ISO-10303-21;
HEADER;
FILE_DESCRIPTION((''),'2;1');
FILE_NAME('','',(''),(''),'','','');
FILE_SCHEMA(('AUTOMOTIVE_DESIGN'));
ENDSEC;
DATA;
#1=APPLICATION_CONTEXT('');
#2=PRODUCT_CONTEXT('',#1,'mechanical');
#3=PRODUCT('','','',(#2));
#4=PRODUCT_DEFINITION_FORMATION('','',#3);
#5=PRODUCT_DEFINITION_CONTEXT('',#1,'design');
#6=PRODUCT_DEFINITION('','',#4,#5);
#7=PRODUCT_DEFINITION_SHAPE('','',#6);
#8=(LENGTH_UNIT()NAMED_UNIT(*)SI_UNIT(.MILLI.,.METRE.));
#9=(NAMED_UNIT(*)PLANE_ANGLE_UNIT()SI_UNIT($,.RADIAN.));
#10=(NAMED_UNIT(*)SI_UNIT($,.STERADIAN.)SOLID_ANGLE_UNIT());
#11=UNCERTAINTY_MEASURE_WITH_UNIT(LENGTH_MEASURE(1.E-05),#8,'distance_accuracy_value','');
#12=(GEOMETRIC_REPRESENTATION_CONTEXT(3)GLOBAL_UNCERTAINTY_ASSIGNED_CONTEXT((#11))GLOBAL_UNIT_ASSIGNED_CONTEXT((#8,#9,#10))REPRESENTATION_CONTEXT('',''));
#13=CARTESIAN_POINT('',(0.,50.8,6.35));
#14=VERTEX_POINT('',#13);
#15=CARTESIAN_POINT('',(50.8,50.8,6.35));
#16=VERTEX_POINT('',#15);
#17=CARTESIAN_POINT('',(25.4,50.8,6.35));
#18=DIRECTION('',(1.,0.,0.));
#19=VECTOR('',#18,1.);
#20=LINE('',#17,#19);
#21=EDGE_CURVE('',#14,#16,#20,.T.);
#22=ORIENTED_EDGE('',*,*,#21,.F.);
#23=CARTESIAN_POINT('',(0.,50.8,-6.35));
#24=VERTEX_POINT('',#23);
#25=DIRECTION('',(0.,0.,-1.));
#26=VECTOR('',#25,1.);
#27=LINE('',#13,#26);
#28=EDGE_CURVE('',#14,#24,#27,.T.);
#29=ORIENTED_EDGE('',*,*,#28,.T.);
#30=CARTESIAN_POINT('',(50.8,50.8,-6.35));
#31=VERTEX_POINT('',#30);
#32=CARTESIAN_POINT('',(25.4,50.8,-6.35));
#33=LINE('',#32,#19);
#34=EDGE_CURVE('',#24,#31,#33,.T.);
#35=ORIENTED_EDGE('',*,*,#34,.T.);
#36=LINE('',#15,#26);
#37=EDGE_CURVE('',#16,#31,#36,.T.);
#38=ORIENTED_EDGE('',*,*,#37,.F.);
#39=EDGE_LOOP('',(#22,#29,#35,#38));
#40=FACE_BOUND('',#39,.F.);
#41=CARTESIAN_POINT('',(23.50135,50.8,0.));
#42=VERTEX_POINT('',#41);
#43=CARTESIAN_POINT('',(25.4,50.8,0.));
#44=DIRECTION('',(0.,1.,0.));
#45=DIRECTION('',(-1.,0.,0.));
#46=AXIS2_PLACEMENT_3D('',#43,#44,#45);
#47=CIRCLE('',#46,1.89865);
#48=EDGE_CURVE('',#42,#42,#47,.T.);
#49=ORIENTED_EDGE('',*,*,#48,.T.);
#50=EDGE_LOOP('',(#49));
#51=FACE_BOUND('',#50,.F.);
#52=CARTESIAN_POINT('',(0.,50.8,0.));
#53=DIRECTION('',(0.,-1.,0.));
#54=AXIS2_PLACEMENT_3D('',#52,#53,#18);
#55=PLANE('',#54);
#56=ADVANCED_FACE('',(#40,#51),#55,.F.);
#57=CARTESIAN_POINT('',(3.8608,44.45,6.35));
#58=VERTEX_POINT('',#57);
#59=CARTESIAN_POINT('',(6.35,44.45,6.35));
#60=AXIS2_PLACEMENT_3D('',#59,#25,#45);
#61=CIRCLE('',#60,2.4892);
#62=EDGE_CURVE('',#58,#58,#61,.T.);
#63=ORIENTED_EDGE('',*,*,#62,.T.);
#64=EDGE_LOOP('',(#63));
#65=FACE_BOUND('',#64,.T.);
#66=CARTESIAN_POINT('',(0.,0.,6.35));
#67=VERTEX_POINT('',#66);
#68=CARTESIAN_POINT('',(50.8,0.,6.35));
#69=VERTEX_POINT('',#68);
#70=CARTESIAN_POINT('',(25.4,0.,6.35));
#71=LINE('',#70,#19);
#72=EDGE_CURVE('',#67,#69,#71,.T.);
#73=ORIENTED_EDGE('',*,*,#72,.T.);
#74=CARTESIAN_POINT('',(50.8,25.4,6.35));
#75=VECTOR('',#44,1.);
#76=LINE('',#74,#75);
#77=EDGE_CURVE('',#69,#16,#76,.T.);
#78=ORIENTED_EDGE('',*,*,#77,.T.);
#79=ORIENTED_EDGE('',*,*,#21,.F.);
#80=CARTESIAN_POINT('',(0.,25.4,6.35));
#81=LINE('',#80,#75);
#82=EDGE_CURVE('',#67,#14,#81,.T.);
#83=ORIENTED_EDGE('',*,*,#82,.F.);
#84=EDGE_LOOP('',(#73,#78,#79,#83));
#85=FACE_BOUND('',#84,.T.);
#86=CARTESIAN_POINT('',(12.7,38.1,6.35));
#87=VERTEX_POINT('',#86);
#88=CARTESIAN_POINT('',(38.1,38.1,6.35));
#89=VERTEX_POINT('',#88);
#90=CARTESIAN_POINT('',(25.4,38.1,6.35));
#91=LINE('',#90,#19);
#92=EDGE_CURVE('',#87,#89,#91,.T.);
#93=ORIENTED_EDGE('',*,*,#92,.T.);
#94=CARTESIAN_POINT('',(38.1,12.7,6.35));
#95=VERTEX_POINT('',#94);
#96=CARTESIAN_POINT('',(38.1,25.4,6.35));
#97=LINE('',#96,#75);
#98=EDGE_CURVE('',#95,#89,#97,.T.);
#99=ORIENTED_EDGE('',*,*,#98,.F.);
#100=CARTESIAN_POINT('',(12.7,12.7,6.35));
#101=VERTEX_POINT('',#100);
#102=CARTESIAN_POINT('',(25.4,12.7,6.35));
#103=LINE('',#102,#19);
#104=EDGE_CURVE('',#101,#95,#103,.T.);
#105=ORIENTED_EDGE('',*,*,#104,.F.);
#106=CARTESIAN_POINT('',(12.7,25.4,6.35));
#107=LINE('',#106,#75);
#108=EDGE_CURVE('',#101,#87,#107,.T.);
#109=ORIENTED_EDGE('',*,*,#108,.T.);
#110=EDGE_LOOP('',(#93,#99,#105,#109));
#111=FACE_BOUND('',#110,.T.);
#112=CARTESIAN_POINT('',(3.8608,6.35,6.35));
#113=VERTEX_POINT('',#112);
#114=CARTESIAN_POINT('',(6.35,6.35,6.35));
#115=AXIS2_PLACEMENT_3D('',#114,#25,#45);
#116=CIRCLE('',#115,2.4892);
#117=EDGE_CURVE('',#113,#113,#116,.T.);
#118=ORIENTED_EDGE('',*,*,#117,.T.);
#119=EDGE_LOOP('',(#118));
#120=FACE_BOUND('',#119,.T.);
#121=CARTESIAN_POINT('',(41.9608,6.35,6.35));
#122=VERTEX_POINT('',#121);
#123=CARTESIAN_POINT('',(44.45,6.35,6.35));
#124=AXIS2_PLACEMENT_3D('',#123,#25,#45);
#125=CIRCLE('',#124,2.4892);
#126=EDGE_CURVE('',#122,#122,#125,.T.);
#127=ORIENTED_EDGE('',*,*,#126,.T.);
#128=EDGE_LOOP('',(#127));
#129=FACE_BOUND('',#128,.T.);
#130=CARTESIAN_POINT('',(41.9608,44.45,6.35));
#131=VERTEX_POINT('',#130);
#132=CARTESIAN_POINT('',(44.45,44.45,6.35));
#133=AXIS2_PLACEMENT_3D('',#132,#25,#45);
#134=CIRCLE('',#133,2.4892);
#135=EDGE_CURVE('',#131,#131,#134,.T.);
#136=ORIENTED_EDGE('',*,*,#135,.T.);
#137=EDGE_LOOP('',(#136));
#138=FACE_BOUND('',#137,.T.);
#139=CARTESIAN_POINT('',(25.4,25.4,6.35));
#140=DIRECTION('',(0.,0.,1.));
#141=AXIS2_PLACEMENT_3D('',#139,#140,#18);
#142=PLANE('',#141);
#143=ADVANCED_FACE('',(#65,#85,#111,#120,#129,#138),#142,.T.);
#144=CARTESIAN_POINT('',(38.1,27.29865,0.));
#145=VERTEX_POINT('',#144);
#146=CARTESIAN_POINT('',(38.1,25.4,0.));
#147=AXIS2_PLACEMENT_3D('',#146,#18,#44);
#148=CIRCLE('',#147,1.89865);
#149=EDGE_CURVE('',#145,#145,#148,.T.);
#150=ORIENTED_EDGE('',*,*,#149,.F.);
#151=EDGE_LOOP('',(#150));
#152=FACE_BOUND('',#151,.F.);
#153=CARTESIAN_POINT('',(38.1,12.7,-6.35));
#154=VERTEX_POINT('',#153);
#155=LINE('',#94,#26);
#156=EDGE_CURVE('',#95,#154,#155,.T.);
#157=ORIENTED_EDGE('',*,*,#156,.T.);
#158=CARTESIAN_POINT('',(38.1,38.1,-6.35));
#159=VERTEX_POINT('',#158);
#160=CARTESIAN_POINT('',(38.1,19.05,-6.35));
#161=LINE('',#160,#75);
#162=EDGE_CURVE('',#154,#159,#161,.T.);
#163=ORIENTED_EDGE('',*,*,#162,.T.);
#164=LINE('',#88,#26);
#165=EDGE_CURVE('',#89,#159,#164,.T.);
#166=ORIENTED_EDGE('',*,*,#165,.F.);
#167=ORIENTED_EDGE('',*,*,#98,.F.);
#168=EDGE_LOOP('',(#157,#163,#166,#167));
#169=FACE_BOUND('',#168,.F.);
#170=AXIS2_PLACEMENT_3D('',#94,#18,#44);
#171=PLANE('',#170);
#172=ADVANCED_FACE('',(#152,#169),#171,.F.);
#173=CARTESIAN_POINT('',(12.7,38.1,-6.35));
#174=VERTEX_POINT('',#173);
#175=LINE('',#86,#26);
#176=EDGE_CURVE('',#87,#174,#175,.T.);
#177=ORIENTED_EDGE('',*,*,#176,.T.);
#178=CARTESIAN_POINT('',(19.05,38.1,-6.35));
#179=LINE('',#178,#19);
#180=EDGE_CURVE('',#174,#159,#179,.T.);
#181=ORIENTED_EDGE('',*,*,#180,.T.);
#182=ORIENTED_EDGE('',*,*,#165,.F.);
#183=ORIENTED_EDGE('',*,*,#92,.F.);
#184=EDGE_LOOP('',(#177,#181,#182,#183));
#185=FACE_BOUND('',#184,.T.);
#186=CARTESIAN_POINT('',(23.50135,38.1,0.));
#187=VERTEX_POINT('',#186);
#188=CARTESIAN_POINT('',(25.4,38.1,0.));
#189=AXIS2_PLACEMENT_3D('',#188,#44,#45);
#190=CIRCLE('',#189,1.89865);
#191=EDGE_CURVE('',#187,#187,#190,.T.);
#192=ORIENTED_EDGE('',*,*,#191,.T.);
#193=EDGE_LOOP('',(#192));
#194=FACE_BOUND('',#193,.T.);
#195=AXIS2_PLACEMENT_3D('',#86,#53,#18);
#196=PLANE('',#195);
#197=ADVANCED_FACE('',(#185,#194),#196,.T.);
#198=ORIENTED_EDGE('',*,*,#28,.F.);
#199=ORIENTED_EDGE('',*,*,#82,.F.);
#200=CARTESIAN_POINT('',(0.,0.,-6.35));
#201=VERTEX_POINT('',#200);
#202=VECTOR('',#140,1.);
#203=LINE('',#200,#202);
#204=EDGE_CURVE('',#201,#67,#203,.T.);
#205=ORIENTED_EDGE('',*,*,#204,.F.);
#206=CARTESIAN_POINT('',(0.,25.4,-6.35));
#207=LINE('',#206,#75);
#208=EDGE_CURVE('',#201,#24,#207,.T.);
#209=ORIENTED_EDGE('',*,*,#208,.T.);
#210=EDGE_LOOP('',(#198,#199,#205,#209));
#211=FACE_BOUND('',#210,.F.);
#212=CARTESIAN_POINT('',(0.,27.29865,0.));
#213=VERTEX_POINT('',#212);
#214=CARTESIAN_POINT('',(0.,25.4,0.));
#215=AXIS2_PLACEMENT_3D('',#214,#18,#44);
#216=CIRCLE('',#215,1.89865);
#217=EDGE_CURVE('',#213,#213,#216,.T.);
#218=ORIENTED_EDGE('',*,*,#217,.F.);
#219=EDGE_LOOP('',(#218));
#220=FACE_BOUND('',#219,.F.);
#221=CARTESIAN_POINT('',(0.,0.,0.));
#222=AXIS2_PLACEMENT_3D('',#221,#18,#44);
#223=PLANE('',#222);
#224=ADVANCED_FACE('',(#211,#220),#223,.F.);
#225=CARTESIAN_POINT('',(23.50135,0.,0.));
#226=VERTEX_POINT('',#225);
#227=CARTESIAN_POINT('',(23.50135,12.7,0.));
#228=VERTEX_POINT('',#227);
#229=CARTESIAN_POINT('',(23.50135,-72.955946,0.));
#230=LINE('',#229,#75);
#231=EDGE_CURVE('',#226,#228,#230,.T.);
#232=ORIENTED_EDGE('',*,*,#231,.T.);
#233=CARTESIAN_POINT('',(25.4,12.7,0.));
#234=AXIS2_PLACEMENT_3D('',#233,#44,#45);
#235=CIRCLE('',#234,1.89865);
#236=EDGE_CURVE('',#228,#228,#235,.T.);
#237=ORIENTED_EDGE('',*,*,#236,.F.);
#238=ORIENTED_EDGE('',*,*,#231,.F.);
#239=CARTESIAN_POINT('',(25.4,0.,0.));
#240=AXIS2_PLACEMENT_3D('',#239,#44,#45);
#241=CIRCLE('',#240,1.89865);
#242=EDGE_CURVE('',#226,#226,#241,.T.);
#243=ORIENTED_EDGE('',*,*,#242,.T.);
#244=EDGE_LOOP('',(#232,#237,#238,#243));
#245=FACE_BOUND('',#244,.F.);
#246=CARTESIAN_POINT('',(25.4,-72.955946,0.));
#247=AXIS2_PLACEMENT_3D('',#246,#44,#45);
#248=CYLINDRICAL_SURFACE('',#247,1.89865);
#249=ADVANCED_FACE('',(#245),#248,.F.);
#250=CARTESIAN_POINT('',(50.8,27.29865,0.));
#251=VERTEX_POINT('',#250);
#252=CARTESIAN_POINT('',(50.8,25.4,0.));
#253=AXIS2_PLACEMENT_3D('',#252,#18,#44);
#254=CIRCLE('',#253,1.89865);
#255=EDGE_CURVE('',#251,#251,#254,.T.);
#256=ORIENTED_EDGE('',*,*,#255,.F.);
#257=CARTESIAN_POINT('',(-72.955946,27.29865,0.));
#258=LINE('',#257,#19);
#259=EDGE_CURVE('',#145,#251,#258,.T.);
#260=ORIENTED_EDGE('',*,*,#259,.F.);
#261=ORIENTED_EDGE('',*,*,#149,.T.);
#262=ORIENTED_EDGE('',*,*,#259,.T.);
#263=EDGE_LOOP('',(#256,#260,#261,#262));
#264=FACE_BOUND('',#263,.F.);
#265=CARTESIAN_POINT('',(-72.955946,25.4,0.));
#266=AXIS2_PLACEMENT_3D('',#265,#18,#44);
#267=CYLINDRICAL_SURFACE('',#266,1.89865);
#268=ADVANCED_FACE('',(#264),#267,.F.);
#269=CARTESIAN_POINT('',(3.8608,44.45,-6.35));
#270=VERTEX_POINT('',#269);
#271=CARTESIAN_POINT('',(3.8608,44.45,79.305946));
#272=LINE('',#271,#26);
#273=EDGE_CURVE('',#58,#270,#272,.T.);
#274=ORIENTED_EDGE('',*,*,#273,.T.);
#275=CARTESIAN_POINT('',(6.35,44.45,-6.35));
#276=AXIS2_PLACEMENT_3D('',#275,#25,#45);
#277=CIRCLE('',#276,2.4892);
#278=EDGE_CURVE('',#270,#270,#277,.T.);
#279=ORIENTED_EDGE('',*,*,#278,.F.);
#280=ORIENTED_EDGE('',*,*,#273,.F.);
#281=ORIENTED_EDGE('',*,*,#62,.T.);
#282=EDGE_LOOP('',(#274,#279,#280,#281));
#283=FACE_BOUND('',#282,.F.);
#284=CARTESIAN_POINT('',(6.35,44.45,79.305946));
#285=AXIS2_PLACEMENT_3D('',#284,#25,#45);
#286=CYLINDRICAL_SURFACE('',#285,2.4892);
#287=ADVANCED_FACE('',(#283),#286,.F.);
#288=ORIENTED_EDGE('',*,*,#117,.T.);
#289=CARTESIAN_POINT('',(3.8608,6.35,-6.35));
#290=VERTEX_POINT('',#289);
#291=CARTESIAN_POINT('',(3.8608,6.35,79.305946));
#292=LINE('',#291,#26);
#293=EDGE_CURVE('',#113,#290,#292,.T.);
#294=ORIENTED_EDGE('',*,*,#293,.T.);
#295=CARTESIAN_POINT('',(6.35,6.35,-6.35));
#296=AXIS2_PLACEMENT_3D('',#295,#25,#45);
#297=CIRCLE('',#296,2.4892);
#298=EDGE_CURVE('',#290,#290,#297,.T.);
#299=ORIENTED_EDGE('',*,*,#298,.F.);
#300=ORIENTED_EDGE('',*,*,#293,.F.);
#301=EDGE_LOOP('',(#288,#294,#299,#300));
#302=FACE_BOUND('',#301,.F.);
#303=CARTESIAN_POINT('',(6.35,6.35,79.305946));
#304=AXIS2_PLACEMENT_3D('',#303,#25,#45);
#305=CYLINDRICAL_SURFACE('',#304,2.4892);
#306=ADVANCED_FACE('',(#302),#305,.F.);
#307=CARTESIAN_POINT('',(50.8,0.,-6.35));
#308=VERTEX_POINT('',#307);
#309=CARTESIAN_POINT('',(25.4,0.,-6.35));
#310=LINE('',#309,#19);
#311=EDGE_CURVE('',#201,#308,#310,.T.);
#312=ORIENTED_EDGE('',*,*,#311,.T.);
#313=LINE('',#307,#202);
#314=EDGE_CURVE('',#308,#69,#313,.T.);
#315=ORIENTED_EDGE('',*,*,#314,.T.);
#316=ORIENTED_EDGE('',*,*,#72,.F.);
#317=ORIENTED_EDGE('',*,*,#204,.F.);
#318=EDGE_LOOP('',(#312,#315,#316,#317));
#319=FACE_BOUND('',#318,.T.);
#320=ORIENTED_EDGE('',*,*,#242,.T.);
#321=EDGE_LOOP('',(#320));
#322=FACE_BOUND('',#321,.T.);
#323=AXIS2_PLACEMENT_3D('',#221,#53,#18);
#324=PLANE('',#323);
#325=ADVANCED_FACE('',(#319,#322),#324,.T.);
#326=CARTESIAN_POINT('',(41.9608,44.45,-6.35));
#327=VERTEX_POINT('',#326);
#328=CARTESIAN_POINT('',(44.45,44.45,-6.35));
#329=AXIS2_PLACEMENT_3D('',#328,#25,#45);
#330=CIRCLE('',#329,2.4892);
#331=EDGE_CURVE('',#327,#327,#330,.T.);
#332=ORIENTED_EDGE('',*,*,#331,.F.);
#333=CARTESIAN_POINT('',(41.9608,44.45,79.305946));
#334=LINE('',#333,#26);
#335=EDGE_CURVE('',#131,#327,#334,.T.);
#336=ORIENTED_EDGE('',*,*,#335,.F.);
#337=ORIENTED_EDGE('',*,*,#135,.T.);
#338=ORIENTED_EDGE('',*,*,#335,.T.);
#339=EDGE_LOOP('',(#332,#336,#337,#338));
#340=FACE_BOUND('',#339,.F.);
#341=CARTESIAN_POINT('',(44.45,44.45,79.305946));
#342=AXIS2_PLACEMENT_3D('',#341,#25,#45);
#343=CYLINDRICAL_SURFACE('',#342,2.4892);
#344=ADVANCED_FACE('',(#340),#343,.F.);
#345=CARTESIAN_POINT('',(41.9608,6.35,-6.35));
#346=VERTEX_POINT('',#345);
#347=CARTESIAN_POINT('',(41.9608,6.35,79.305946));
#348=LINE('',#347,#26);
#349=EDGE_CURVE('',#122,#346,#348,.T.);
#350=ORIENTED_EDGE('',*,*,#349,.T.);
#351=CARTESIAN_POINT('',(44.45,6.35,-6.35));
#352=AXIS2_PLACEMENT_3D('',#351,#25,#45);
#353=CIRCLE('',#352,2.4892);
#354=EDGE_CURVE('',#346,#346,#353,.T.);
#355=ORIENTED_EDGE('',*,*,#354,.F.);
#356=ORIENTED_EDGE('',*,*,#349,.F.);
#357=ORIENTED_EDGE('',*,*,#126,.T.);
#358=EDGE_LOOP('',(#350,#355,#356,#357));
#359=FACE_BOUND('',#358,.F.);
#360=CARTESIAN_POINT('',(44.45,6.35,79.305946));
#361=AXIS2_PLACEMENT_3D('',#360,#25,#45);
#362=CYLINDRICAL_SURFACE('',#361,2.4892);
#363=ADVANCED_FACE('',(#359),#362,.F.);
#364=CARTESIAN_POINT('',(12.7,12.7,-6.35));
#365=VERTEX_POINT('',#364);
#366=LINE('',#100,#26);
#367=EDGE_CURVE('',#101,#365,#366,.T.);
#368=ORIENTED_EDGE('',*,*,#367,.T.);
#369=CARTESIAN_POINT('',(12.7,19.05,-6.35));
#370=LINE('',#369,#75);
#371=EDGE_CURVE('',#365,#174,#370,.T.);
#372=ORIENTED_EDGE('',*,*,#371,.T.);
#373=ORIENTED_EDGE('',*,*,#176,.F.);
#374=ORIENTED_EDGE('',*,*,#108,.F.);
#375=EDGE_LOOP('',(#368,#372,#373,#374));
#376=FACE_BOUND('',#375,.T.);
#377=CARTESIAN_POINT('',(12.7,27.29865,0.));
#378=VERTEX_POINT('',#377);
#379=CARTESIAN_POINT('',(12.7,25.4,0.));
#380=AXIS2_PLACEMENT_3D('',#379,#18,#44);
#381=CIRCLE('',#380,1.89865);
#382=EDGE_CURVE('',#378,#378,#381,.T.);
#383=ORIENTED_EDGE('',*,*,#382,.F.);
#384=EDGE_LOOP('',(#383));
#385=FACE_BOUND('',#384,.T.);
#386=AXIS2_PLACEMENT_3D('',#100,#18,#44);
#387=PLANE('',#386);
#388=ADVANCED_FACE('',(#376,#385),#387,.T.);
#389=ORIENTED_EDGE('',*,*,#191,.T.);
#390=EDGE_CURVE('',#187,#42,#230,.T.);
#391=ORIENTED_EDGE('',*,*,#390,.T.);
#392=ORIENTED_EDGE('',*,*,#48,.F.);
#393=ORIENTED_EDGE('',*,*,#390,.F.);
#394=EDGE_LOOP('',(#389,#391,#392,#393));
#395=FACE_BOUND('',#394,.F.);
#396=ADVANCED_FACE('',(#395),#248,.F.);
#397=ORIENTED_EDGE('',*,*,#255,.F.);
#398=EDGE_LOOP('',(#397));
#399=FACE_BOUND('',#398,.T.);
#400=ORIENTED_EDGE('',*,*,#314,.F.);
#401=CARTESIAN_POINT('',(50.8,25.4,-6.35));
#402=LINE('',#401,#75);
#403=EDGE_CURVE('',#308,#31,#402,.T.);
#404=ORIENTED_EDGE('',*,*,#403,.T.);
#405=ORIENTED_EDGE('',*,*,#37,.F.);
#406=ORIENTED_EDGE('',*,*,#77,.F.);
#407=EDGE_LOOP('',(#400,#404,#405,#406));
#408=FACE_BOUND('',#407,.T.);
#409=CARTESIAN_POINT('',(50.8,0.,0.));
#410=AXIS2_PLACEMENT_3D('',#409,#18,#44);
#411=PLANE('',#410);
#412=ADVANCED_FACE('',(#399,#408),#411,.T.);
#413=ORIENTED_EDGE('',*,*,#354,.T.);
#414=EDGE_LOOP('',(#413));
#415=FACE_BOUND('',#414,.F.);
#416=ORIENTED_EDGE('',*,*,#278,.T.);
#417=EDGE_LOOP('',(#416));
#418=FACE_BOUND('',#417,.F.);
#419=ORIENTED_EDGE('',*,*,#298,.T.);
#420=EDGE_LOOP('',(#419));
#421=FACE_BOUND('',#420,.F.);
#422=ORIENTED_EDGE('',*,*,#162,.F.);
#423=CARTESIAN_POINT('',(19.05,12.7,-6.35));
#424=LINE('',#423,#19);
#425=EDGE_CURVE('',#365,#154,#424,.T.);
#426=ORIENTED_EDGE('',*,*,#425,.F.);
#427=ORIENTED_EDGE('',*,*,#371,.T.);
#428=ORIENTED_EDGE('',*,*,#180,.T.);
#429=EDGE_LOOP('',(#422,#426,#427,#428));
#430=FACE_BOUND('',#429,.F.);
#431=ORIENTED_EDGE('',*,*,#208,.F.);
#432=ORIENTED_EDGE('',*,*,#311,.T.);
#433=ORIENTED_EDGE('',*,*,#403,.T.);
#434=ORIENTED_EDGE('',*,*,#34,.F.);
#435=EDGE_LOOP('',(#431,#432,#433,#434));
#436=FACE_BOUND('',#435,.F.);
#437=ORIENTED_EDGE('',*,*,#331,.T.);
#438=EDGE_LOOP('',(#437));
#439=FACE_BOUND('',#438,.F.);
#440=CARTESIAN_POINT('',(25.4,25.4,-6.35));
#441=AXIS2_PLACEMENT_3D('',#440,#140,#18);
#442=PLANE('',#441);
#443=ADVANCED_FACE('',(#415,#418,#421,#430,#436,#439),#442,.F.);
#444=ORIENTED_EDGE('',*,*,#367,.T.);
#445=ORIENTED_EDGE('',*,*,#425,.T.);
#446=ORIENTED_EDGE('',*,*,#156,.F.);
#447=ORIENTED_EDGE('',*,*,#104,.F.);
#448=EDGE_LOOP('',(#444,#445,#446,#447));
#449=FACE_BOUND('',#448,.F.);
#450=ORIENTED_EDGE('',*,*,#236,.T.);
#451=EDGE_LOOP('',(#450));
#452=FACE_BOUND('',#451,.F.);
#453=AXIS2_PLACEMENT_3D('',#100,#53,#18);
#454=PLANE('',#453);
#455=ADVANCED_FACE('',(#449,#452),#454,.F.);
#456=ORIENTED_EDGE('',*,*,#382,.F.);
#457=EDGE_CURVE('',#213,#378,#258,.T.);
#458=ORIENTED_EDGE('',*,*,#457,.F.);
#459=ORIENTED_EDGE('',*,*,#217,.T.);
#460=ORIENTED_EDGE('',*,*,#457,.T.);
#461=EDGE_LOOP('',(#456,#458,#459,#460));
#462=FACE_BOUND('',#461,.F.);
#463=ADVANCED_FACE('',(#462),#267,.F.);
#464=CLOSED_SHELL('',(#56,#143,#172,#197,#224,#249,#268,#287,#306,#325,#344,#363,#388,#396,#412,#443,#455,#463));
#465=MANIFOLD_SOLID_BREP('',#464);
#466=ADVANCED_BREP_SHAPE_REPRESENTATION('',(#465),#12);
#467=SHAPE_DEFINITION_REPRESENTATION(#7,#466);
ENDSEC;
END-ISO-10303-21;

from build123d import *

# Parameters (mm, degrees)
F0_W          = 50.8
F0_H          = 50.8
F1_DEPTH      = 6.35
F1_DEPTH_BACK = 6.35
F2_W          = 25.4
F2_H          = 25.4
F3_DEPTH      = 113.7438993901
F4_D          = 4.9784
F7_D          = 3.7973
F7_ON_F5_D    = 3.7973


with BuildPart() as f1:
    # F0 (on Top) → F1 (new body, two sides)
    with BuildSketch(Plane.XY) as f1_sk:
        with Locations((25.4, 25.4)):
            Rectangle(F0_W, F0_H)
    extrude(amount=F1_DEPTH)
    extrude(f1_sk.sketch, amount=-F1_DEPTH_BACK)

    # F2 (on face) → F3 (cut)
    with BuildSketch(Plane.XY.offset(6.35)):
        with Locations((25.4, 25.4)):
            Rectangle(F2_W, F2_H)
    extrude(amount=-F3_DEPTH, mode=Mode.SUBTRACT)

    # F4 (through all)
    with Locations(Plane.XY.offset(6.35)):
        with Locations((44.45, 44.45), (6.35, 44.45), (6.35, 6.35), (44.45, 6.35)):
            Hole(F4_D / 2)

    # F7 (through all)
    with Locations(Plane.XZ):
        with Locations((25.4, 0)):
            Hole(F7_D / 2)

    # F7 on F5 (through all)
    with Locations(Plane(origin=(0, 0, 0), x_dir=(0, -1, 0), z_dir=(-1, 0, 0))):
        with Locations((-25.4, 0)):
            Hole(F7_ON_F5_D / 2)


solid = f1.part
